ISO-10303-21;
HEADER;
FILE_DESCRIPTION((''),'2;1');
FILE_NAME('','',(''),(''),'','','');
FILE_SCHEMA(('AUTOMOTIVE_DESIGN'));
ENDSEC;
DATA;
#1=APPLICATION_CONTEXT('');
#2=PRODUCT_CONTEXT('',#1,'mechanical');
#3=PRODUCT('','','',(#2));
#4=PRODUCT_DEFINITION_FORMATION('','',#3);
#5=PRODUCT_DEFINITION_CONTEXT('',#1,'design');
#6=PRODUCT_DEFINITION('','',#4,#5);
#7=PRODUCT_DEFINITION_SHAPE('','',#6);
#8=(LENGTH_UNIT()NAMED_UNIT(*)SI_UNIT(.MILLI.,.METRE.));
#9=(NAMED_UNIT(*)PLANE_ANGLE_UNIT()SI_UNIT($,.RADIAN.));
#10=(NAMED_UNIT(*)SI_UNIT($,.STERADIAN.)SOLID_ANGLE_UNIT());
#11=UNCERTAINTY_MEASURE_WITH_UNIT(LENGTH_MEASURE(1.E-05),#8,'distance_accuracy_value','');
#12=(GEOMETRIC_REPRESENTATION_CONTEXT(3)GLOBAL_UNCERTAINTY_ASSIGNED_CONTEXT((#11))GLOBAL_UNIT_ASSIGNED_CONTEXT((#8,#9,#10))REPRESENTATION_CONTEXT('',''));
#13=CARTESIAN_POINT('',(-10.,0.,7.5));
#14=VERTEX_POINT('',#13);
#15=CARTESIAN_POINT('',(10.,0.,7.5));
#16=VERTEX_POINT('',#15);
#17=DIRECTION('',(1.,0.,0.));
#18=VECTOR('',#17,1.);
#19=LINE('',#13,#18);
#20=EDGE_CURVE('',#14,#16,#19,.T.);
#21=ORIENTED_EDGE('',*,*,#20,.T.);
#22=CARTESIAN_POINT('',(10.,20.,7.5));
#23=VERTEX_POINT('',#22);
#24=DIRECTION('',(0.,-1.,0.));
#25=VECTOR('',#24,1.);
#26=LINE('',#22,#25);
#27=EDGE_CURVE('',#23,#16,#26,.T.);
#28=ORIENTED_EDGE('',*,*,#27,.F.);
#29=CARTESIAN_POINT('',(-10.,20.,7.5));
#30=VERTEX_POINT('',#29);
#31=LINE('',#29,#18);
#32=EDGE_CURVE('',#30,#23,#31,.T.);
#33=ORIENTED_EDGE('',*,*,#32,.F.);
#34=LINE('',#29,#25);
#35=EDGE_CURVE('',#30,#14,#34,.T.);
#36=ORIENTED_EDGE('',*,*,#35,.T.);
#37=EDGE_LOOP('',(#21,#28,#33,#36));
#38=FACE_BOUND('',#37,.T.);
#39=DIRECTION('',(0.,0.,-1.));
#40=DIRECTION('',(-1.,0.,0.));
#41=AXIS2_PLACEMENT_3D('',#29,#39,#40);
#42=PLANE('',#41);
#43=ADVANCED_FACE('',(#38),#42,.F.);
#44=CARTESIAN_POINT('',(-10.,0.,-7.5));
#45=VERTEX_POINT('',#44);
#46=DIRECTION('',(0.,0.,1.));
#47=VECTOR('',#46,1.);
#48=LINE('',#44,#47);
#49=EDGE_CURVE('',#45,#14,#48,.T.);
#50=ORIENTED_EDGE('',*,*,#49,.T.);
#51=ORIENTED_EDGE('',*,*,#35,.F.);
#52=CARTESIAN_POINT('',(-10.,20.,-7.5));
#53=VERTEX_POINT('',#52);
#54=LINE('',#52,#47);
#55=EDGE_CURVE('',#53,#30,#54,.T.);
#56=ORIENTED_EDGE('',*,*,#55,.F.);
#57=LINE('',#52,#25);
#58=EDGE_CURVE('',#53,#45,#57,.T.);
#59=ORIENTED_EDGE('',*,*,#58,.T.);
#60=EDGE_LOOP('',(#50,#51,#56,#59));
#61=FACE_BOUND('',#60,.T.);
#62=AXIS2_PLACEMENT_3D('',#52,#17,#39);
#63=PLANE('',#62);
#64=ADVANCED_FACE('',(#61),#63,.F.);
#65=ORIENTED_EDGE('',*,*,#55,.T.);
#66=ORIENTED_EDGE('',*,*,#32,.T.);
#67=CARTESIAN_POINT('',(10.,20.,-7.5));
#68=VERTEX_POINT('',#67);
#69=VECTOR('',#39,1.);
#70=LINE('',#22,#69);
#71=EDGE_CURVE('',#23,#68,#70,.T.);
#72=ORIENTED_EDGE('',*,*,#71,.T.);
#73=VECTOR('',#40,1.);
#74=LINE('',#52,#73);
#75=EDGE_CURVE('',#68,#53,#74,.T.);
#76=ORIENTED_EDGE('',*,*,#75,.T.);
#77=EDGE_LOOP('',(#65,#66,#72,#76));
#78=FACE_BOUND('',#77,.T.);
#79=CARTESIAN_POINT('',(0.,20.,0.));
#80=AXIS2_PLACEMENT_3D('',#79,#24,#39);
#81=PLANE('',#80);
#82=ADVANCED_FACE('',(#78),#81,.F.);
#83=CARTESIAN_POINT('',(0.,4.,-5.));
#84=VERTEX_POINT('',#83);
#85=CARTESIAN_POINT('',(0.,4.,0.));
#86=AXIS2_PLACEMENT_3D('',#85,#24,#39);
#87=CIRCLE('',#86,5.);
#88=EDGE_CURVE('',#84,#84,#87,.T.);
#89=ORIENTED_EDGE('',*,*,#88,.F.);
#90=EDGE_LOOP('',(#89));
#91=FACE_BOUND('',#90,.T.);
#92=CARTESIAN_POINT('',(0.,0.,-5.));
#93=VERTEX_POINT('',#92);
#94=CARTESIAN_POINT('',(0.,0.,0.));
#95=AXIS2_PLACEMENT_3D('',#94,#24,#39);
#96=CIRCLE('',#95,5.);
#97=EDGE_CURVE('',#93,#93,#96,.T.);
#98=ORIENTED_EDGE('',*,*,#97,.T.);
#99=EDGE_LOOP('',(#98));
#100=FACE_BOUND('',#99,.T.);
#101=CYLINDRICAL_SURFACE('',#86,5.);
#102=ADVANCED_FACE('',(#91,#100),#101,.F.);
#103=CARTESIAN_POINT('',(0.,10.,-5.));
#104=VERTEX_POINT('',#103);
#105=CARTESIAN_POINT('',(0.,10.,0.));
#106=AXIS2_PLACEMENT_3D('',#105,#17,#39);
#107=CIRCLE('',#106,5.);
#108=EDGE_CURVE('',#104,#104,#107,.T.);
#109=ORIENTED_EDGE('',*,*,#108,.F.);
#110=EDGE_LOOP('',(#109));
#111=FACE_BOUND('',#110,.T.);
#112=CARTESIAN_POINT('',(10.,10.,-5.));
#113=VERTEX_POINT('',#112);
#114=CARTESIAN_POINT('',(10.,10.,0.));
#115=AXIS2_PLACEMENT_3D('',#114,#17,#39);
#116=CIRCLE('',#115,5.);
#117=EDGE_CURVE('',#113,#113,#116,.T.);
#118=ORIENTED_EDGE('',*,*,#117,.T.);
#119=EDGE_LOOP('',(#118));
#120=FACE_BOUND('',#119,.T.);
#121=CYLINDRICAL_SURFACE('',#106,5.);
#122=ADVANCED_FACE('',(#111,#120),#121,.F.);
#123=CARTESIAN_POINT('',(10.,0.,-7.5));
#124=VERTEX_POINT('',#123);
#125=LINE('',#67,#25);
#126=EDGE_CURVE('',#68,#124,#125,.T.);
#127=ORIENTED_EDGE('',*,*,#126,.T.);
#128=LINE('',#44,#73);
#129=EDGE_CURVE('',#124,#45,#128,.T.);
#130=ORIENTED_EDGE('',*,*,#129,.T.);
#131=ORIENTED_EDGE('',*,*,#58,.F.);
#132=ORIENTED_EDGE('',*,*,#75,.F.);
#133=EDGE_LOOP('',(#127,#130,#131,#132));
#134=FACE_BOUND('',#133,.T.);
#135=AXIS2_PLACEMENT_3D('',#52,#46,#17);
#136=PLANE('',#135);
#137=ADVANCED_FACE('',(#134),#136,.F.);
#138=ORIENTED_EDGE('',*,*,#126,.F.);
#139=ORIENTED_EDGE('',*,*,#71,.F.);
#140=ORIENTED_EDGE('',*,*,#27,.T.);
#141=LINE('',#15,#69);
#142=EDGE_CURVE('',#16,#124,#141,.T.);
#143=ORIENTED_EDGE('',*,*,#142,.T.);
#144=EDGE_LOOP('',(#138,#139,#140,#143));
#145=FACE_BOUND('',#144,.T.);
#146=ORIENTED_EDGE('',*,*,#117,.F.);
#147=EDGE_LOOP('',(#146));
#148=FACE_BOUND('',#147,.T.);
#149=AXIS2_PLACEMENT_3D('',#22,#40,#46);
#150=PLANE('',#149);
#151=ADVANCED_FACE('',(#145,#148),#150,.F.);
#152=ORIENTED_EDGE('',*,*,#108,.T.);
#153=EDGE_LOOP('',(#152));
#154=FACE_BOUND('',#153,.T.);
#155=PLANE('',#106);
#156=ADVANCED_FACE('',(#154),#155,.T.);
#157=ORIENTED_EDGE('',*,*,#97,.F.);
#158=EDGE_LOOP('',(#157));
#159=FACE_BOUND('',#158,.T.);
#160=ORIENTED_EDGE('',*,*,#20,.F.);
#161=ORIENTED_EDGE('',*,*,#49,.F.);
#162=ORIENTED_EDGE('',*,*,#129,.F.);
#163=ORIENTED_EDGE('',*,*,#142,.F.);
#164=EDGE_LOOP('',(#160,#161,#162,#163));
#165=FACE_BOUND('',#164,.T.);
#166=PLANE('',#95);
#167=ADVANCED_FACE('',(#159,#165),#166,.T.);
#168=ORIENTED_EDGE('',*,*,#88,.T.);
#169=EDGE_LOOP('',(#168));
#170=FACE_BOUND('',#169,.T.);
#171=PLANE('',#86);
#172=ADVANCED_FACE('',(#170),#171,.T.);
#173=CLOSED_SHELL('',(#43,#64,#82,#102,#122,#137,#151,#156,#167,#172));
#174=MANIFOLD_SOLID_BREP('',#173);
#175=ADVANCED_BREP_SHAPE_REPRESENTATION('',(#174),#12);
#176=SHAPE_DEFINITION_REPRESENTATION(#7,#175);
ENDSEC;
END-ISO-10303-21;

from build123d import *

# Parameters (mm, degrees)
SKETCH3_W           = 20
SKETCH3_H           = 15
BOSS_EXTRUDE1_DEPTH = 20
SKETCH5_R           = 5
CUT_EXTRUDE1_DEPTH  = 10
SKETCH7_R           = 5
CUT_EXTRUDE6_DEPTH  = 4


with BuildPart() as part:
    # Sketch3 → Boss-Extrude1 (new body)
    with BuildSketch(Plane(origin=(0, 0, 0), x_dir=(1, 0, 0), z_dir=(0, 1, 0))):
        Rectangle(SKETCH3_W, SKETCH3_H)
    extrude(amount=BOSS_EXTRUDE1_DEPTH)

    # Sketch5 → Cut-Extrude1 (cut)
    with BuildSketch(Plane(origin=(10, 0, 0), x_dir=(0, 0, -1), z_dir=(1, 0, 0))):
        with Locations((0, 10)):
            Circle(SKETCH5_R)
    extrude(amount=-CUT_EXTRUDE1_DEPTH, mode=Mode.SUBTRACT)

    # Sketch7 → Cut-Extrude6 (cut)
    with BuildSketch(Plane.XZ):
        Circle(SKETCH7_R)
    extrude(amount=-CUT_EXTRUDE6_DEPTH, mode=Mode.SUBTRACT)


solid = part.part
